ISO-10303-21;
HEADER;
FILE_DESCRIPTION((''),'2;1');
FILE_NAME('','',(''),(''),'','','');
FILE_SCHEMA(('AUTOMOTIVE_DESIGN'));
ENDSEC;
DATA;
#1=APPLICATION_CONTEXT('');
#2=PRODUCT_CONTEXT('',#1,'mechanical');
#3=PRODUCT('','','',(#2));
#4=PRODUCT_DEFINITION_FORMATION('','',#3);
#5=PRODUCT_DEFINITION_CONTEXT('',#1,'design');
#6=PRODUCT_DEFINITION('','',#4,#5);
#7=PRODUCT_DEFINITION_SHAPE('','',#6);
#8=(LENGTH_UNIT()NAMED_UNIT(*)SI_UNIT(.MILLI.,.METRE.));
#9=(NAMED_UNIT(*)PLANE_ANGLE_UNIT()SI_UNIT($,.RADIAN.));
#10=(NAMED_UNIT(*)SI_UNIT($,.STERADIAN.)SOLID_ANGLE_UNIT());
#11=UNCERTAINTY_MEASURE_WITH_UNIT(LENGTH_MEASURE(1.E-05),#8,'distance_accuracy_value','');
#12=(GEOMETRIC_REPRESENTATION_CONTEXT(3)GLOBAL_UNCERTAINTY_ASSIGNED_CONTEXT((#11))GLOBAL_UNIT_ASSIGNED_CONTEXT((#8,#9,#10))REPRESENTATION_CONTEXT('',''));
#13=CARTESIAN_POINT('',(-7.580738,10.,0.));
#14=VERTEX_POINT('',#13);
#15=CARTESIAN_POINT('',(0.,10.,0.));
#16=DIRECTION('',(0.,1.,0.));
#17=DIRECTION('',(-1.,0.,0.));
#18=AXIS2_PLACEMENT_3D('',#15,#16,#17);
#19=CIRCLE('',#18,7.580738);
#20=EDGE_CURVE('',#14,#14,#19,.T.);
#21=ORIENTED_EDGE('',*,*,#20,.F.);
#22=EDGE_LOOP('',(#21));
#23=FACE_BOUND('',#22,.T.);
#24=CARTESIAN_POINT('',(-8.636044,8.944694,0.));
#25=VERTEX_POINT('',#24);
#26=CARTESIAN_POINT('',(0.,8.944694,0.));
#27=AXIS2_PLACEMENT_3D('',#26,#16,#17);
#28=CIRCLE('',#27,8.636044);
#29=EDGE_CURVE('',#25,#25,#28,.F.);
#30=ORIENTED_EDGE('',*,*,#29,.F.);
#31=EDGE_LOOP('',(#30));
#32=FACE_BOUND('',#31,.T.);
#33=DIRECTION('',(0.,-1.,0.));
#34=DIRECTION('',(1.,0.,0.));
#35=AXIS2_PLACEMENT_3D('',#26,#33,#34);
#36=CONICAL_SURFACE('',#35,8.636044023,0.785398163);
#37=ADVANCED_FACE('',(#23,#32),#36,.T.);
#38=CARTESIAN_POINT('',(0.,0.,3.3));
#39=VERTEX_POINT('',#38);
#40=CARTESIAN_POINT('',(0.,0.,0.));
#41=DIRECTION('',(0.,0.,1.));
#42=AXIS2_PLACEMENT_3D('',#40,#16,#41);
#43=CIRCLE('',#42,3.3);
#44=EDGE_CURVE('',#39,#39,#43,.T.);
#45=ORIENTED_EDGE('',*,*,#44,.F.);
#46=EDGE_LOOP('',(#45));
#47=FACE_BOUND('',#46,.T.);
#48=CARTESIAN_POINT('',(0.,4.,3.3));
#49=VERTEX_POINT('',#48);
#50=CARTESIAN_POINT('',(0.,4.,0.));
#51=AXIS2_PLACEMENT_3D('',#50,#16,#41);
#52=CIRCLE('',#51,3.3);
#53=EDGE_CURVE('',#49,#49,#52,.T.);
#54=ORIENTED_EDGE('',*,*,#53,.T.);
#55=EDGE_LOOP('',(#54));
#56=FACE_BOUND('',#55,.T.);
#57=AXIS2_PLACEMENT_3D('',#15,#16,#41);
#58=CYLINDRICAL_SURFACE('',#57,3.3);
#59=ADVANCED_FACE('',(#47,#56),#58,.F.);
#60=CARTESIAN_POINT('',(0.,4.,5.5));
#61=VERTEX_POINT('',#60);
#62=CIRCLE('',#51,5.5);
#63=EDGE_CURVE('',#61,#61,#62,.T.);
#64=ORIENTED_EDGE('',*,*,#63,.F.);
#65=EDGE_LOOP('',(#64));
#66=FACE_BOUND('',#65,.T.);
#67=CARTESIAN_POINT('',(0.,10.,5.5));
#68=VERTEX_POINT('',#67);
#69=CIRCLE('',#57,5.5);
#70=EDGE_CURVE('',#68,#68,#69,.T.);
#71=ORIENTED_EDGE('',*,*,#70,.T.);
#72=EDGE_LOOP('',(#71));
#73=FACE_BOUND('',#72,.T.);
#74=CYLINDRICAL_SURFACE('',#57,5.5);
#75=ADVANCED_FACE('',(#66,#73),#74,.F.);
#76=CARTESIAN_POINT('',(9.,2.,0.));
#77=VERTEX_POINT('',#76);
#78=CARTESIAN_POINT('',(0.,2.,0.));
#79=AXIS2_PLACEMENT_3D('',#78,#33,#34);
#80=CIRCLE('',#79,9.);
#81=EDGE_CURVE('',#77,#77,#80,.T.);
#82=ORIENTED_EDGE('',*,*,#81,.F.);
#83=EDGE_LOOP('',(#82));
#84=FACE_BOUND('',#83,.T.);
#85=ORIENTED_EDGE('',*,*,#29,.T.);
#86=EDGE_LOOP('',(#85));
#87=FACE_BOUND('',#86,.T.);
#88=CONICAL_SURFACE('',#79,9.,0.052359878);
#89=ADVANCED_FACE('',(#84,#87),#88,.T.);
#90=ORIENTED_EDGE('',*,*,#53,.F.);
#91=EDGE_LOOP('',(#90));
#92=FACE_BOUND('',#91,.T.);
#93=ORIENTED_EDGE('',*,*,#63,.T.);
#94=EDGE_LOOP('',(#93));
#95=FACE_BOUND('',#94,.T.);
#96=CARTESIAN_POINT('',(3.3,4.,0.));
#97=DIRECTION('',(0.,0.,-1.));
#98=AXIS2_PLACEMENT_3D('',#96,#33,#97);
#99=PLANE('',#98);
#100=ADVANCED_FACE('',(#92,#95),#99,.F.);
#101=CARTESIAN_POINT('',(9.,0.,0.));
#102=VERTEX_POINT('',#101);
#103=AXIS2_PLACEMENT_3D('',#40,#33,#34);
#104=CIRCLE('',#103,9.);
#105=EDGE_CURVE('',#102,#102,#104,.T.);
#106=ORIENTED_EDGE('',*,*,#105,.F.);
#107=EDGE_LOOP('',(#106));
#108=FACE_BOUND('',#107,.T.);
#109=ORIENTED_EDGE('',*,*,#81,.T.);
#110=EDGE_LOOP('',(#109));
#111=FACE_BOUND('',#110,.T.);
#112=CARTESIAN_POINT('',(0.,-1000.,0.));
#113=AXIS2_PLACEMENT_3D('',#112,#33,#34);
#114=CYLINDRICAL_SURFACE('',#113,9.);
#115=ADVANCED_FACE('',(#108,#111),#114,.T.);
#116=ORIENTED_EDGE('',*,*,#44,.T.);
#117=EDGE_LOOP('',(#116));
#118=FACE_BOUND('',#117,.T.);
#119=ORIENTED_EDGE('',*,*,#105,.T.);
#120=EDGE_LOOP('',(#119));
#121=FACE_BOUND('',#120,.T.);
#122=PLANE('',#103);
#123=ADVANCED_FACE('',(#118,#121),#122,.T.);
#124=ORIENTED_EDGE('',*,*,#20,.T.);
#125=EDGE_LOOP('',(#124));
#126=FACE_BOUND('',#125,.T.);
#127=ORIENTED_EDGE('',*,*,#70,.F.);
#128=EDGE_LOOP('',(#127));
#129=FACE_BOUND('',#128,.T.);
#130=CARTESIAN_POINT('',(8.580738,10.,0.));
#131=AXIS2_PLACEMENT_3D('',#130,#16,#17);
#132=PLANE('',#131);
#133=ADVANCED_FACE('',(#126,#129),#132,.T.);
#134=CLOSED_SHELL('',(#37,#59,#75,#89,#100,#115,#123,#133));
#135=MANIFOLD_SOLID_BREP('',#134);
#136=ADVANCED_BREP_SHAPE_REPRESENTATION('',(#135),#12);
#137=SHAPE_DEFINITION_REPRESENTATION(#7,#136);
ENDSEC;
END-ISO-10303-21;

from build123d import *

# Parameters (mm, degrees)
HOLE_WIZARD_1_D           = 6.6
HOLE_WIZARD_1_CBORE_D     = 11
HOLE_WIZARD_1_CBORE_DEPTH = 6
CHAMFER_1_SIZE            = 1
CHAMFER_1_SIZE2           = 1.056754503


with BuildPart() as part:
    # 草图1 → 旋转1 (revolve)
    with BuildSketch(Plane.XY):
        Polygon((0, 0), (9, 0), (9, 2), (8.580737766, 10), (0, 10), align=None)
    revolve(axis=Axis((0, -1000, 0), (0, 1, 0)))

    # 打孔尺寸根据内六角圆柱头螺钉的类型1 (through all)
    with Locations(Plane(origin=(0, 10, 0), x_dir=(1, 0, 0), z_dir=(0, 1, 0))):
        with Locations((0, 0)):
            CounterBoreHole(HOLE_WIZARD_1_D / 2, HOLE_WIZARD_1_CBORE_D / 2, HOLE_WIZARD_1_CBORE_DEPTH)

    # 倒角1
    chamfer_1_edges = [part.edges().sort_by_distance(p)[0] for p in [
        (-8.580737766, 10, 0),
    ]]
    chamfer_1_side = [part.faces().sort_by_distance(p)[0] for p in [
        (-8.338037851, 10, 0),
    ]]
    chamfer(chamfer_1_edges, length=CHAMFER_1_SIZE, length2=CHAMFER_1_SIZE2, reference=chamfer_1_side[0])


solid = part.part
